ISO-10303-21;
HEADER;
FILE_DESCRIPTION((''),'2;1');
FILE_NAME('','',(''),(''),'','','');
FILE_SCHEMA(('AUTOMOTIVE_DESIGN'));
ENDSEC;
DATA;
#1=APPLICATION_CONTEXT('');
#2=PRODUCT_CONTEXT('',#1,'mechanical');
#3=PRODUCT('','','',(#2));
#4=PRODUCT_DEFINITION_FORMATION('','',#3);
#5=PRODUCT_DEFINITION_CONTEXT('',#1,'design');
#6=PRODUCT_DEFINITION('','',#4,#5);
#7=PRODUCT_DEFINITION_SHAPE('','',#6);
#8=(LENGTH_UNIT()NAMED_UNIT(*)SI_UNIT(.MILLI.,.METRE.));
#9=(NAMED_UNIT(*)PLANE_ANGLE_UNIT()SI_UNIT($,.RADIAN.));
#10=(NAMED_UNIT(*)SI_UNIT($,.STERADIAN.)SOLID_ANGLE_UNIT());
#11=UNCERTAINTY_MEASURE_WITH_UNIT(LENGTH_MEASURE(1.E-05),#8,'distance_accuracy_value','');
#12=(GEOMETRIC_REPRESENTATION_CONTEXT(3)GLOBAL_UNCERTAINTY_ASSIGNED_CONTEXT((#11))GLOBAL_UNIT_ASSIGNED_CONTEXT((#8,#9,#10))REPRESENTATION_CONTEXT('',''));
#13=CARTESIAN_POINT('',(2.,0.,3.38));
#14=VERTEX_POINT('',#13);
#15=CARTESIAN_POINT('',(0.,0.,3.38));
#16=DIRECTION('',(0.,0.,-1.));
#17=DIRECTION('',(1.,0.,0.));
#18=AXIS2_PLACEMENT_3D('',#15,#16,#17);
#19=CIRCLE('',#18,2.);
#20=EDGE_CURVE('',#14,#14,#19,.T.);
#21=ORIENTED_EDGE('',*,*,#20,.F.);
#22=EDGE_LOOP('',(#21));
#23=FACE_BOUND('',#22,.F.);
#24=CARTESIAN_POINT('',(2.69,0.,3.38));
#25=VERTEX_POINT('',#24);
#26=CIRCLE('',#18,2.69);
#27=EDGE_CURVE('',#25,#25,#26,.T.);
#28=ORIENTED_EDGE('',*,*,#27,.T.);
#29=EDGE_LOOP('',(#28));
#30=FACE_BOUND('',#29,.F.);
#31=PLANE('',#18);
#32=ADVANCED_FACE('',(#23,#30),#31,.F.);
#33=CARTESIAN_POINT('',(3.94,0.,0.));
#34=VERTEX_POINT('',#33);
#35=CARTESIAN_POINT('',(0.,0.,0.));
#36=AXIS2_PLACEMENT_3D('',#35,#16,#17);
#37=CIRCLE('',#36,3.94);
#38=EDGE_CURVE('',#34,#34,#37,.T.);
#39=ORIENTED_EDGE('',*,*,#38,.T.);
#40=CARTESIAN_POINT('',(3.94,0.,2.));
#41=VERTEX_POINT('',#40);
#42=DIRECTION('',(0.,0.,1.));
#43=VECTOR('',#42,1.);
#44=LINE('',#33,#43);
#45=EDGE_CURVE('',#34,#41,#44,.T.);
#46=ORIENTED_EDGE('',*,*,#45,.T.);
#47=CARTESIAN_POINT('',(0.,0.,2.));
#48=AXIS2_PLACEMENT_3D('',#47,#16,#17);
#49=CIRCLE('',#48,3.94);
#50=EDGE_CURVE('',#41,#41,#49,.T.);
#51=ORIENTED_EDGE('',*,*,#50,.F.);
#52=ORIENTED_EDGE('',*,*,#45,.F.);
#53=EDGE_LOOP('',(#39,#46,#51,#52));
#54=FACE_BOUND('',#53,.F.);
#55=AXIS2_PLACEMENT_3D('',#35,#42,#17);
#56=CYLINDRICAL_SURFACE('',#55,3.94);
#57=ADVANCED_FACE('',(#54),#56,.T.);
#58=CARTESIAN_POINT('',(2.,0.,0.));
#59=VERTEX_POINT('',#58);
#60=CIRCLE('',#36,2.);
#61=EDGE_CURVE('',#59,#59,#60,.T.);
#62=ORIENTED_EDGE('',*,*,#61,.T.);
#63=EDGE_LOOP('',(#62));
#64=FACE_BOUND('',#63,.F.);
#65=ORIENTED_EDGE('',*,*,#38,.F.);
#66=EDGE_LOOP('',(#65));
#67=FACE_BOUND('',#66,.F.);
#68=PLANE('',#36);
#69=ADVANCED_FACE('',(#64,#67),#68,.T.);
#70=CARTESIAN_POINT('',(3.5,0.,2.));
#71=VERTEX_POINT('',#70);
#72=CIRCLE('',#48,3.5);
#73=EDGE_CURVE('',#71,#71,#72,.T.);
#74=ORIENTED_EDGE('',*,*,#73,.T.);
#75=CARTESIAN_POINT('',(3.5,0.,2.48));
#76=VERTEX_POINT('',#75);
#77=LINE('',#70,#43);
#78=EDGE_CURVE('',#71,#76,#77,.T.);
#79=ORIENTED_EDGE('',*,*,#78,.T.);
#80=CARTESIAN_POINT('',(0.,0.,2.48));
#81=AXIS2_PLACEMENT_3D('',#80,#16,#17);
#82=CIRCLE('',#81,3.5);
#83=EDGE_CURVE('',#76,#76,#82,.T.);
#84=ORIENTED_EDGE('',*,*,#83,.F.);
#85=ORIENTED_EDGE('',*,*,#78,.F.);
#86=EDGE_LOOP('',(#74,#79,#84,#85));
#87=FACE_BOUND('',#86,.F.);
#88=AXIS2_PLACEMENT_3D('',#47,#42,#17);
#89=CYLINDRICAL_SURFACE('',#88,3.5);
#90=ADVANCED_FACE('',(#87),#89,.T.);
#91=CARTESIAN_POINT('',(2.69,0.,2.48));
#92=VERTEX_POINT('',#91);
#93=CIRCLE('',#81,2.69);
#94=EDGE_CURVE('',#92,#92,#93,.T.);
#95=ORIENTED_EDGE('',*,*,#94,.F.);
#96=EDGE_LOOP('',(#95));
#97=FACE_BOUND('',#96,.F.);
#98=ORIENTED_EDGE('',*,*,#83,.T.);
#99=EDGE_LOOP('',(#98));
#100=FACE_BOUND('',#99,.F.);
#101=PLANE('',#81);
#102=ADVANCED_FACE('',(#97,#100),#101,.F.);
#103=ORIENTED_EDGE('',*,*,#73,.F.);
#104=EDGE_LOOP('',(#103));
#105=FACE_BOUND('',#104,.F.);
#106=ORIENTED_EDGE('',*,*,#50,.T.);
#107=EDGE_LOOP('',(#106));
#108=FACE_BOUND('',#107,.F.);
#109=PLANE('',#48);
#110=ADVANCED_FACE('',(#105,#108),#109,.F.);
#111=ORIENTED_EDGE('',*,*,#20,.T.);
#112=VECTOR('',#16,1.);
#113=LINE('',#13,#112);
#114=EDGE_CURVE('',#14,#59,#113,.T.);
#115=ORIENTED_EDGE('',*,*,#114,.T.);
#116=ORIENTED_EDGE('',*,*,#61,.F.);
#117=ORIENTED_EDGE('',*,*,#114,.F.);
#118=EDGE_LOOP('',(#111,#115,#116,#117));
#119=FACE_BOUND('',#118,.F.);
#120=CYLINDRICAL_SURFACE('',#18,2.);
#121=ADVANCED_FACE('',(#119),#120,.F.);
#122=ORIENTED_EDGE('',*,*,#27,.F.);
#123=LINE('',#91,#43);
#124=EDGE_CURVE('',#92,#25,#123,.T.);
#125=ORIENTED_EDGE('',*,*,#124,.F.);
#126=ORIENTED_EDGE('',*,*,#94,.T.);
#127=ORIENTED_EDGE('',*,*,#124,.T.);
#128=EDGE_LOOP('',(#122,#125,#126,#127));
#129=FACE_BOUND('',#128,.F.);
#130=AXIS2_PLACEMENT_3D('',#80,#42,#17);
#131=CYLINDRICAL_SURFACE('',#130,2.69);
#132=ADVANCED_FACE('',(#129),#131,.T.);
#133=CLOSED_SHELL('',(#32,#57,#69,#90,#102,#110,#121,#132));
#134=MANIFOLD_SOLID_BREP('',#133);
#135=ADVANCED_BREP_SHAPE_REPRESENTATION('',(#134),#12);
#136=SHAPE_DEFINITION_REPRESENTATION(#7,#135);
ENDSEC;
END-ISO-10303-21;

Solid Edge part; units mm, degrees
sketch "Sketch1" plane through (0, 0, 0) normal (0, -1, 0) x (1, 0, 0)
  line L0 (2, 0) -> (3.94, 0)
  line L1 (3.94, 0) -> (3.94, 2)
  line L2 (3.94, 2) -> (3.5, 2)
  line L3 (3.5, 2) -> (3.5, 2.48)
  line L4 (3.5, 2.48) -> (2.69, 2.48)
  line L5 (2.69, 2.48) -> (2.69, 3.38)
  line L6 (2.69, 3.38) -> (2, 3.38)
  line L7 (2, 3.38) -> (2, 0)
  dimension "D1" = 2
  dimension "D2" = 2
  dimension "D3" = 0.9
  dimension "D4" = 1.38
  dimension "D5" = 3.94
  dimension "D6" = 2.69
  dimension "D7" = 3.5
revolve "RevolvedProtrusion1" add sketch "Sketch1" angle 360 about axis through (0, 0, 54) along (0, 0, -1)
